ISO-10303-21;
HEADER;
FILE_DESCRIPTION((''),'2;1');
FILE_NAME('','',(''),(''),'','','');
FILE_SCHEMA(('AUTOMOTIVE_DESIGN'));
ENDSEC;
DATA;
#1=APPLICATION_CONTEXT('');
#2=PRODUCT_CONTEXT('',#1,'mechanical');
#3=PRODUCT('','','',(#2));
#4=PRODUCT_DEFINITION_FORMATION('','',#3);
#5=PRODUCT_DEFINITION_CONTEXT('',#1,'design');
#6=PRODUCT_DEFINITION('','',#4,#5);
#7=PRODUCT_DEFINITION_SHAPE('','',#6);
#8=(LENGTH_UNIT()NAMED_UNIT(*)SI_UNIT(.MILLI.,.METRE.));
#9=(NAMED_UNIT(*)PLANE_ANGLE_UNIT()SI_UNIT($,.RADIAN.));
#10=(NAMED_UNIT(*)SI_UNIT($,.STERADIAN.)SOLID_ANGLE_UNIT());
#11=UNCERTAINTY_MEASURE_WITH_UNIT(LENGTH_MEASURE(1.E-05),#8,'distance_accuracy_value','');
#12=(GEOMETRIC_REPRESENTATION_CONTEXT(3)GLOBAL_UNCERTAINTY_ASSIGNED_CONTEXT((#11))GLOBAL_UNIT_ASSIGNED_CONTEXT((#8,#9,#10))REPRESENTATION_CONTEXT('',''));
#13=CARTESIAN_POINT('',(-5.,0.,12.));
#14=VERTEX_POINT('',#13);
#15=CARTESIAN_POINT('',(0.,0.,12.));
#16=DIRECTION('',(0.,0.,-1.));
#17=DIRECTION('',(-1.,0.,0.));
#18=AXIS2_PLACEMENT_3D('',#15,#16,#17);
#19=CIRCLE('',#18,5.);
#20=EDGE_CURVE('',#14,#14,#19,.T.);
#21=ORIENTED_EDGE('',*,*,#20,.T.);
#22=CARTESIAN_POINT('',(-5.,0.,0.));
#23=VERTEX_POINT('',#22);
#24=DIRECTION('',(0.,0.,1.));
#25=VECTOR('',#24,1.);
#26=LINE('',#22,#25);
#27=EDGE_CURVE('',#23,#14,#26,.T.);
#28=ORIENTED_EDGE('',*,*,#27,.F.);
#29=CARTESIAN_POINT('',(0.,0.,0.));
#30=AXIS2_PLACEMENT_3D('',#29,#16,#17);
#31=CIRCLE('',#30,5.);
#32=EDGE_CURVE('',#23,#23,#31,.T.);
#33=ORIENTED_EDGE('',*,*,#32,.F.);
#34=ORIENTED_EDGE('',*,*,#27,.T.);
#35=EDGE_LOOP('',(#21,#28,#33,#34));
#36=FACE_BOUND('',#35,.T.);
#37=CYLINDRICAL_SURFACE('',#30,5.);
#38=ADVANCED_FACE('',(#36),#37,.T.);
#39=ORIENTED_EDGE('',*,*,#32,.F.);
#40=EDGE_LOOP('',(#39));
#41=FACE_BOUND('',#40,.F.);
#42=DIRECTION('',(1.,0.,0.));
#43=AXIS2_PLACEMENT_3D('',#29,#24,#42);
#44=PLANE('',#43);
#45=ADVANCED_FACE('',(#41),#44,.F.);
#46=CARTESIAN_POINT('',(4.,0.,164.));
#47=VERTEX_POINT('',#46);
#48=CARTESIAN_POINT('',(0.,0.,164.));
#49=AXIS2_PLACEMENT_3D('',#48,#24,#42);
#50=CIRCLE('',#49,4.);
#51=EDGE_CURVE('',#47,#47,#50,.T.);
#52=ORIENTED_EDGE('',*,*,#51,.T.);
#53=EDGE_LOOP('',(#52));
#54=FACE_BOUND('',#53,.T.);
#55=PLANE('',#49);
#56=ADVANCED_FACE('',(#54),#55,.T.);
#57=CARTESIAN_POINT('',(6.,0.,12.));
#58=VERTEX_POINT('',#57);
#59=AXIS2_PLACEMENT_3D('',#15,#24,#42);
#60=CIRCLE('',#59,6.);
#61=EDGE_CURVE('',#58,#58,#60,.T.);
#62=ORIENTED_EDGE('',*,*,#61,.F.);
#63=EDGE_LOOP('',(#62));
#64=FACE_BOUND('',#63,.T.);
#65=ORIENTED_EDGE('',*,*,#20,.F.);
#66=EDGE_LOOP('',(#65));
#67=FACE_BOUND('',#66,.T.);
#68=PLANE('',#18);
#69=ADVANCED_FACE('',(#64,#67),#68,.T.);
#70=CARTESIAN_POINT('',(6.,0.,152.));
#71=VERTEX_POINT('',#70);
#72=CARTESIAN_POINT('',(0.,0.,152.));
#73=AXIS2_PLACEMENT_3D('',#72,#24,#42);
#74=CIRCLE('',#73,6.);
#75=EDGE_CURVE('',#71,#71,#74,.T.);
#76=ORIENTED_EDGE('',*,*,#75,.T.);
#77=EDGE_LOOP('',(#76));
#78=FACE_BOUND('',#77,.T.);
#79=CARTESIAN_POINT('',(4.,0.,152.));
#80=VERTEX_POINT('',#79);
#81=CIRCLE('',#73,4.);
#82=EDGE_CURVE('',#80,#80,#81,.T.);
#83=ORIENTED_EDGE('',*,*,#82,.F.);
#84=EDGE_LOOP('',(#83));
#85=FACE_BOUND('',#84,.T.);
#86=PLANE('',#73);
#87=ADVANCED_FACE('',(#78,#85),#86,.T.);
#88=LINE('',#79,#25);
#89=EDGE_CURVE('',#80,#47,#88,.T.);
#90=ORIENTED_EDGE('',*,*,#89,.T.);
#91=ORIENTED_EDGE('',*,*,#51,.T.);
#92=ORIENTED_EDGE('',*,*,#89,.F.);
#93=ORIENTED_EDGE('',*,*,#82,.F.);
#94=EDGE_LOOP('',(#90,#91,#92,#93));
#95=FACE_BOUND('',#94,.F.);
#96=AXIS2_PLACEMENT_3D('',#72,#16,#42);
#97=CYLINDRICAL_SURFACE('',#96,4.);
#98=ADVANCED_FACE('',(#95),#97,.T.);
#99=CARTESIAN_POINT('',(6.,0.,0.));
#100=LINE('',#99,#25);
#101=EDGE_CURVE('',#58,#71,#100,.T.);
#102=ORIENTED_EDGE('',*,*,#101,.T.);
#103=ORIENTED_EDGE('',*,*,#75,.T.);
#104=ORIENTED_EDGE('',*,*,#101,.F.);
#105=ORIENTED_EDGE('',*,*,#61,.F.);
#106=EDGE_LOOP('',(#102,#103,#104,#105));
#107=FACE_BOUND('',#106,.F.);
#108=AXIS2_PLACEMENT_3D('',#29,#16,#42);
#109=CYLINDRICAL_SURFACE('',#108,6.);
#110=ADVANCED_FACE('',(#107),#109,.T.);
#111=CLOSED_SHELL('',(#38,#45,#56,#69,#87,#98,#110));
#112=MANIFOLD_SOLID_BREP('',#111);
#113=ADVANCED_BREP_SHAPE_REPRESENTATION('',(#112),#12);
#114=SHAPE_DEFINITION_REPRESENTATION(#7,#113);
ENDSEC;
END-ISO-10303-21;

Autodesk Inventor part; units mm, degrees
ref_plane "YZ Plane" through (0, 0, 0) normal (1, 0, 0) x (0, 1, 0)
ref_plane "XZ Plane" through (0, 0, 0) normal (0, 1, 0) x (-1, 0, 0)
ref_plane "XY Plane" through (0, 0, 0) normal (0, 0, 1) x (1, 0, 0)
sketch "Sketch1" plane through (0, 0, 0) normal (0, 0, 1) x (1, 0, 0)
  circle A0 centre (0, 0) radius 6
  dimension "d0" = 12
extrude "Extrusion1" add sketch "Sketch1" along normal blind 152
thread "Thread1" size "M12x1.5" class "6g" standard "ISO Metric profile" length 155
sketch "Sketch2" plane through (0, 0, 152) normal (0, 0, 1) x (1, 0, 0)
  circle A0 centre (0, 0) radius 6 projected
  circle A1 centre (0, 0) radius 4
  dimension "d5" = 8
extrude "Extrusion2" add sketch "Sketch2" along normal blind 12 contours A1
sketch "Sketch3" plane through (0, 0, 0) normal (0, 0, -1) x (-1, 0, 0)
  circle A0 centre (0, 0) radius 5
  circle A1 centre (0, 0) radius 4 projected
  circle A2 centre (0, 0) radius 6
  dimension "d8" = 10
extrude "Extrusion3" cut sketch "Sketch3" against normal blind 12 contours A2
properties part number "Tornillo de Soporte de Motor" material "Steel"
